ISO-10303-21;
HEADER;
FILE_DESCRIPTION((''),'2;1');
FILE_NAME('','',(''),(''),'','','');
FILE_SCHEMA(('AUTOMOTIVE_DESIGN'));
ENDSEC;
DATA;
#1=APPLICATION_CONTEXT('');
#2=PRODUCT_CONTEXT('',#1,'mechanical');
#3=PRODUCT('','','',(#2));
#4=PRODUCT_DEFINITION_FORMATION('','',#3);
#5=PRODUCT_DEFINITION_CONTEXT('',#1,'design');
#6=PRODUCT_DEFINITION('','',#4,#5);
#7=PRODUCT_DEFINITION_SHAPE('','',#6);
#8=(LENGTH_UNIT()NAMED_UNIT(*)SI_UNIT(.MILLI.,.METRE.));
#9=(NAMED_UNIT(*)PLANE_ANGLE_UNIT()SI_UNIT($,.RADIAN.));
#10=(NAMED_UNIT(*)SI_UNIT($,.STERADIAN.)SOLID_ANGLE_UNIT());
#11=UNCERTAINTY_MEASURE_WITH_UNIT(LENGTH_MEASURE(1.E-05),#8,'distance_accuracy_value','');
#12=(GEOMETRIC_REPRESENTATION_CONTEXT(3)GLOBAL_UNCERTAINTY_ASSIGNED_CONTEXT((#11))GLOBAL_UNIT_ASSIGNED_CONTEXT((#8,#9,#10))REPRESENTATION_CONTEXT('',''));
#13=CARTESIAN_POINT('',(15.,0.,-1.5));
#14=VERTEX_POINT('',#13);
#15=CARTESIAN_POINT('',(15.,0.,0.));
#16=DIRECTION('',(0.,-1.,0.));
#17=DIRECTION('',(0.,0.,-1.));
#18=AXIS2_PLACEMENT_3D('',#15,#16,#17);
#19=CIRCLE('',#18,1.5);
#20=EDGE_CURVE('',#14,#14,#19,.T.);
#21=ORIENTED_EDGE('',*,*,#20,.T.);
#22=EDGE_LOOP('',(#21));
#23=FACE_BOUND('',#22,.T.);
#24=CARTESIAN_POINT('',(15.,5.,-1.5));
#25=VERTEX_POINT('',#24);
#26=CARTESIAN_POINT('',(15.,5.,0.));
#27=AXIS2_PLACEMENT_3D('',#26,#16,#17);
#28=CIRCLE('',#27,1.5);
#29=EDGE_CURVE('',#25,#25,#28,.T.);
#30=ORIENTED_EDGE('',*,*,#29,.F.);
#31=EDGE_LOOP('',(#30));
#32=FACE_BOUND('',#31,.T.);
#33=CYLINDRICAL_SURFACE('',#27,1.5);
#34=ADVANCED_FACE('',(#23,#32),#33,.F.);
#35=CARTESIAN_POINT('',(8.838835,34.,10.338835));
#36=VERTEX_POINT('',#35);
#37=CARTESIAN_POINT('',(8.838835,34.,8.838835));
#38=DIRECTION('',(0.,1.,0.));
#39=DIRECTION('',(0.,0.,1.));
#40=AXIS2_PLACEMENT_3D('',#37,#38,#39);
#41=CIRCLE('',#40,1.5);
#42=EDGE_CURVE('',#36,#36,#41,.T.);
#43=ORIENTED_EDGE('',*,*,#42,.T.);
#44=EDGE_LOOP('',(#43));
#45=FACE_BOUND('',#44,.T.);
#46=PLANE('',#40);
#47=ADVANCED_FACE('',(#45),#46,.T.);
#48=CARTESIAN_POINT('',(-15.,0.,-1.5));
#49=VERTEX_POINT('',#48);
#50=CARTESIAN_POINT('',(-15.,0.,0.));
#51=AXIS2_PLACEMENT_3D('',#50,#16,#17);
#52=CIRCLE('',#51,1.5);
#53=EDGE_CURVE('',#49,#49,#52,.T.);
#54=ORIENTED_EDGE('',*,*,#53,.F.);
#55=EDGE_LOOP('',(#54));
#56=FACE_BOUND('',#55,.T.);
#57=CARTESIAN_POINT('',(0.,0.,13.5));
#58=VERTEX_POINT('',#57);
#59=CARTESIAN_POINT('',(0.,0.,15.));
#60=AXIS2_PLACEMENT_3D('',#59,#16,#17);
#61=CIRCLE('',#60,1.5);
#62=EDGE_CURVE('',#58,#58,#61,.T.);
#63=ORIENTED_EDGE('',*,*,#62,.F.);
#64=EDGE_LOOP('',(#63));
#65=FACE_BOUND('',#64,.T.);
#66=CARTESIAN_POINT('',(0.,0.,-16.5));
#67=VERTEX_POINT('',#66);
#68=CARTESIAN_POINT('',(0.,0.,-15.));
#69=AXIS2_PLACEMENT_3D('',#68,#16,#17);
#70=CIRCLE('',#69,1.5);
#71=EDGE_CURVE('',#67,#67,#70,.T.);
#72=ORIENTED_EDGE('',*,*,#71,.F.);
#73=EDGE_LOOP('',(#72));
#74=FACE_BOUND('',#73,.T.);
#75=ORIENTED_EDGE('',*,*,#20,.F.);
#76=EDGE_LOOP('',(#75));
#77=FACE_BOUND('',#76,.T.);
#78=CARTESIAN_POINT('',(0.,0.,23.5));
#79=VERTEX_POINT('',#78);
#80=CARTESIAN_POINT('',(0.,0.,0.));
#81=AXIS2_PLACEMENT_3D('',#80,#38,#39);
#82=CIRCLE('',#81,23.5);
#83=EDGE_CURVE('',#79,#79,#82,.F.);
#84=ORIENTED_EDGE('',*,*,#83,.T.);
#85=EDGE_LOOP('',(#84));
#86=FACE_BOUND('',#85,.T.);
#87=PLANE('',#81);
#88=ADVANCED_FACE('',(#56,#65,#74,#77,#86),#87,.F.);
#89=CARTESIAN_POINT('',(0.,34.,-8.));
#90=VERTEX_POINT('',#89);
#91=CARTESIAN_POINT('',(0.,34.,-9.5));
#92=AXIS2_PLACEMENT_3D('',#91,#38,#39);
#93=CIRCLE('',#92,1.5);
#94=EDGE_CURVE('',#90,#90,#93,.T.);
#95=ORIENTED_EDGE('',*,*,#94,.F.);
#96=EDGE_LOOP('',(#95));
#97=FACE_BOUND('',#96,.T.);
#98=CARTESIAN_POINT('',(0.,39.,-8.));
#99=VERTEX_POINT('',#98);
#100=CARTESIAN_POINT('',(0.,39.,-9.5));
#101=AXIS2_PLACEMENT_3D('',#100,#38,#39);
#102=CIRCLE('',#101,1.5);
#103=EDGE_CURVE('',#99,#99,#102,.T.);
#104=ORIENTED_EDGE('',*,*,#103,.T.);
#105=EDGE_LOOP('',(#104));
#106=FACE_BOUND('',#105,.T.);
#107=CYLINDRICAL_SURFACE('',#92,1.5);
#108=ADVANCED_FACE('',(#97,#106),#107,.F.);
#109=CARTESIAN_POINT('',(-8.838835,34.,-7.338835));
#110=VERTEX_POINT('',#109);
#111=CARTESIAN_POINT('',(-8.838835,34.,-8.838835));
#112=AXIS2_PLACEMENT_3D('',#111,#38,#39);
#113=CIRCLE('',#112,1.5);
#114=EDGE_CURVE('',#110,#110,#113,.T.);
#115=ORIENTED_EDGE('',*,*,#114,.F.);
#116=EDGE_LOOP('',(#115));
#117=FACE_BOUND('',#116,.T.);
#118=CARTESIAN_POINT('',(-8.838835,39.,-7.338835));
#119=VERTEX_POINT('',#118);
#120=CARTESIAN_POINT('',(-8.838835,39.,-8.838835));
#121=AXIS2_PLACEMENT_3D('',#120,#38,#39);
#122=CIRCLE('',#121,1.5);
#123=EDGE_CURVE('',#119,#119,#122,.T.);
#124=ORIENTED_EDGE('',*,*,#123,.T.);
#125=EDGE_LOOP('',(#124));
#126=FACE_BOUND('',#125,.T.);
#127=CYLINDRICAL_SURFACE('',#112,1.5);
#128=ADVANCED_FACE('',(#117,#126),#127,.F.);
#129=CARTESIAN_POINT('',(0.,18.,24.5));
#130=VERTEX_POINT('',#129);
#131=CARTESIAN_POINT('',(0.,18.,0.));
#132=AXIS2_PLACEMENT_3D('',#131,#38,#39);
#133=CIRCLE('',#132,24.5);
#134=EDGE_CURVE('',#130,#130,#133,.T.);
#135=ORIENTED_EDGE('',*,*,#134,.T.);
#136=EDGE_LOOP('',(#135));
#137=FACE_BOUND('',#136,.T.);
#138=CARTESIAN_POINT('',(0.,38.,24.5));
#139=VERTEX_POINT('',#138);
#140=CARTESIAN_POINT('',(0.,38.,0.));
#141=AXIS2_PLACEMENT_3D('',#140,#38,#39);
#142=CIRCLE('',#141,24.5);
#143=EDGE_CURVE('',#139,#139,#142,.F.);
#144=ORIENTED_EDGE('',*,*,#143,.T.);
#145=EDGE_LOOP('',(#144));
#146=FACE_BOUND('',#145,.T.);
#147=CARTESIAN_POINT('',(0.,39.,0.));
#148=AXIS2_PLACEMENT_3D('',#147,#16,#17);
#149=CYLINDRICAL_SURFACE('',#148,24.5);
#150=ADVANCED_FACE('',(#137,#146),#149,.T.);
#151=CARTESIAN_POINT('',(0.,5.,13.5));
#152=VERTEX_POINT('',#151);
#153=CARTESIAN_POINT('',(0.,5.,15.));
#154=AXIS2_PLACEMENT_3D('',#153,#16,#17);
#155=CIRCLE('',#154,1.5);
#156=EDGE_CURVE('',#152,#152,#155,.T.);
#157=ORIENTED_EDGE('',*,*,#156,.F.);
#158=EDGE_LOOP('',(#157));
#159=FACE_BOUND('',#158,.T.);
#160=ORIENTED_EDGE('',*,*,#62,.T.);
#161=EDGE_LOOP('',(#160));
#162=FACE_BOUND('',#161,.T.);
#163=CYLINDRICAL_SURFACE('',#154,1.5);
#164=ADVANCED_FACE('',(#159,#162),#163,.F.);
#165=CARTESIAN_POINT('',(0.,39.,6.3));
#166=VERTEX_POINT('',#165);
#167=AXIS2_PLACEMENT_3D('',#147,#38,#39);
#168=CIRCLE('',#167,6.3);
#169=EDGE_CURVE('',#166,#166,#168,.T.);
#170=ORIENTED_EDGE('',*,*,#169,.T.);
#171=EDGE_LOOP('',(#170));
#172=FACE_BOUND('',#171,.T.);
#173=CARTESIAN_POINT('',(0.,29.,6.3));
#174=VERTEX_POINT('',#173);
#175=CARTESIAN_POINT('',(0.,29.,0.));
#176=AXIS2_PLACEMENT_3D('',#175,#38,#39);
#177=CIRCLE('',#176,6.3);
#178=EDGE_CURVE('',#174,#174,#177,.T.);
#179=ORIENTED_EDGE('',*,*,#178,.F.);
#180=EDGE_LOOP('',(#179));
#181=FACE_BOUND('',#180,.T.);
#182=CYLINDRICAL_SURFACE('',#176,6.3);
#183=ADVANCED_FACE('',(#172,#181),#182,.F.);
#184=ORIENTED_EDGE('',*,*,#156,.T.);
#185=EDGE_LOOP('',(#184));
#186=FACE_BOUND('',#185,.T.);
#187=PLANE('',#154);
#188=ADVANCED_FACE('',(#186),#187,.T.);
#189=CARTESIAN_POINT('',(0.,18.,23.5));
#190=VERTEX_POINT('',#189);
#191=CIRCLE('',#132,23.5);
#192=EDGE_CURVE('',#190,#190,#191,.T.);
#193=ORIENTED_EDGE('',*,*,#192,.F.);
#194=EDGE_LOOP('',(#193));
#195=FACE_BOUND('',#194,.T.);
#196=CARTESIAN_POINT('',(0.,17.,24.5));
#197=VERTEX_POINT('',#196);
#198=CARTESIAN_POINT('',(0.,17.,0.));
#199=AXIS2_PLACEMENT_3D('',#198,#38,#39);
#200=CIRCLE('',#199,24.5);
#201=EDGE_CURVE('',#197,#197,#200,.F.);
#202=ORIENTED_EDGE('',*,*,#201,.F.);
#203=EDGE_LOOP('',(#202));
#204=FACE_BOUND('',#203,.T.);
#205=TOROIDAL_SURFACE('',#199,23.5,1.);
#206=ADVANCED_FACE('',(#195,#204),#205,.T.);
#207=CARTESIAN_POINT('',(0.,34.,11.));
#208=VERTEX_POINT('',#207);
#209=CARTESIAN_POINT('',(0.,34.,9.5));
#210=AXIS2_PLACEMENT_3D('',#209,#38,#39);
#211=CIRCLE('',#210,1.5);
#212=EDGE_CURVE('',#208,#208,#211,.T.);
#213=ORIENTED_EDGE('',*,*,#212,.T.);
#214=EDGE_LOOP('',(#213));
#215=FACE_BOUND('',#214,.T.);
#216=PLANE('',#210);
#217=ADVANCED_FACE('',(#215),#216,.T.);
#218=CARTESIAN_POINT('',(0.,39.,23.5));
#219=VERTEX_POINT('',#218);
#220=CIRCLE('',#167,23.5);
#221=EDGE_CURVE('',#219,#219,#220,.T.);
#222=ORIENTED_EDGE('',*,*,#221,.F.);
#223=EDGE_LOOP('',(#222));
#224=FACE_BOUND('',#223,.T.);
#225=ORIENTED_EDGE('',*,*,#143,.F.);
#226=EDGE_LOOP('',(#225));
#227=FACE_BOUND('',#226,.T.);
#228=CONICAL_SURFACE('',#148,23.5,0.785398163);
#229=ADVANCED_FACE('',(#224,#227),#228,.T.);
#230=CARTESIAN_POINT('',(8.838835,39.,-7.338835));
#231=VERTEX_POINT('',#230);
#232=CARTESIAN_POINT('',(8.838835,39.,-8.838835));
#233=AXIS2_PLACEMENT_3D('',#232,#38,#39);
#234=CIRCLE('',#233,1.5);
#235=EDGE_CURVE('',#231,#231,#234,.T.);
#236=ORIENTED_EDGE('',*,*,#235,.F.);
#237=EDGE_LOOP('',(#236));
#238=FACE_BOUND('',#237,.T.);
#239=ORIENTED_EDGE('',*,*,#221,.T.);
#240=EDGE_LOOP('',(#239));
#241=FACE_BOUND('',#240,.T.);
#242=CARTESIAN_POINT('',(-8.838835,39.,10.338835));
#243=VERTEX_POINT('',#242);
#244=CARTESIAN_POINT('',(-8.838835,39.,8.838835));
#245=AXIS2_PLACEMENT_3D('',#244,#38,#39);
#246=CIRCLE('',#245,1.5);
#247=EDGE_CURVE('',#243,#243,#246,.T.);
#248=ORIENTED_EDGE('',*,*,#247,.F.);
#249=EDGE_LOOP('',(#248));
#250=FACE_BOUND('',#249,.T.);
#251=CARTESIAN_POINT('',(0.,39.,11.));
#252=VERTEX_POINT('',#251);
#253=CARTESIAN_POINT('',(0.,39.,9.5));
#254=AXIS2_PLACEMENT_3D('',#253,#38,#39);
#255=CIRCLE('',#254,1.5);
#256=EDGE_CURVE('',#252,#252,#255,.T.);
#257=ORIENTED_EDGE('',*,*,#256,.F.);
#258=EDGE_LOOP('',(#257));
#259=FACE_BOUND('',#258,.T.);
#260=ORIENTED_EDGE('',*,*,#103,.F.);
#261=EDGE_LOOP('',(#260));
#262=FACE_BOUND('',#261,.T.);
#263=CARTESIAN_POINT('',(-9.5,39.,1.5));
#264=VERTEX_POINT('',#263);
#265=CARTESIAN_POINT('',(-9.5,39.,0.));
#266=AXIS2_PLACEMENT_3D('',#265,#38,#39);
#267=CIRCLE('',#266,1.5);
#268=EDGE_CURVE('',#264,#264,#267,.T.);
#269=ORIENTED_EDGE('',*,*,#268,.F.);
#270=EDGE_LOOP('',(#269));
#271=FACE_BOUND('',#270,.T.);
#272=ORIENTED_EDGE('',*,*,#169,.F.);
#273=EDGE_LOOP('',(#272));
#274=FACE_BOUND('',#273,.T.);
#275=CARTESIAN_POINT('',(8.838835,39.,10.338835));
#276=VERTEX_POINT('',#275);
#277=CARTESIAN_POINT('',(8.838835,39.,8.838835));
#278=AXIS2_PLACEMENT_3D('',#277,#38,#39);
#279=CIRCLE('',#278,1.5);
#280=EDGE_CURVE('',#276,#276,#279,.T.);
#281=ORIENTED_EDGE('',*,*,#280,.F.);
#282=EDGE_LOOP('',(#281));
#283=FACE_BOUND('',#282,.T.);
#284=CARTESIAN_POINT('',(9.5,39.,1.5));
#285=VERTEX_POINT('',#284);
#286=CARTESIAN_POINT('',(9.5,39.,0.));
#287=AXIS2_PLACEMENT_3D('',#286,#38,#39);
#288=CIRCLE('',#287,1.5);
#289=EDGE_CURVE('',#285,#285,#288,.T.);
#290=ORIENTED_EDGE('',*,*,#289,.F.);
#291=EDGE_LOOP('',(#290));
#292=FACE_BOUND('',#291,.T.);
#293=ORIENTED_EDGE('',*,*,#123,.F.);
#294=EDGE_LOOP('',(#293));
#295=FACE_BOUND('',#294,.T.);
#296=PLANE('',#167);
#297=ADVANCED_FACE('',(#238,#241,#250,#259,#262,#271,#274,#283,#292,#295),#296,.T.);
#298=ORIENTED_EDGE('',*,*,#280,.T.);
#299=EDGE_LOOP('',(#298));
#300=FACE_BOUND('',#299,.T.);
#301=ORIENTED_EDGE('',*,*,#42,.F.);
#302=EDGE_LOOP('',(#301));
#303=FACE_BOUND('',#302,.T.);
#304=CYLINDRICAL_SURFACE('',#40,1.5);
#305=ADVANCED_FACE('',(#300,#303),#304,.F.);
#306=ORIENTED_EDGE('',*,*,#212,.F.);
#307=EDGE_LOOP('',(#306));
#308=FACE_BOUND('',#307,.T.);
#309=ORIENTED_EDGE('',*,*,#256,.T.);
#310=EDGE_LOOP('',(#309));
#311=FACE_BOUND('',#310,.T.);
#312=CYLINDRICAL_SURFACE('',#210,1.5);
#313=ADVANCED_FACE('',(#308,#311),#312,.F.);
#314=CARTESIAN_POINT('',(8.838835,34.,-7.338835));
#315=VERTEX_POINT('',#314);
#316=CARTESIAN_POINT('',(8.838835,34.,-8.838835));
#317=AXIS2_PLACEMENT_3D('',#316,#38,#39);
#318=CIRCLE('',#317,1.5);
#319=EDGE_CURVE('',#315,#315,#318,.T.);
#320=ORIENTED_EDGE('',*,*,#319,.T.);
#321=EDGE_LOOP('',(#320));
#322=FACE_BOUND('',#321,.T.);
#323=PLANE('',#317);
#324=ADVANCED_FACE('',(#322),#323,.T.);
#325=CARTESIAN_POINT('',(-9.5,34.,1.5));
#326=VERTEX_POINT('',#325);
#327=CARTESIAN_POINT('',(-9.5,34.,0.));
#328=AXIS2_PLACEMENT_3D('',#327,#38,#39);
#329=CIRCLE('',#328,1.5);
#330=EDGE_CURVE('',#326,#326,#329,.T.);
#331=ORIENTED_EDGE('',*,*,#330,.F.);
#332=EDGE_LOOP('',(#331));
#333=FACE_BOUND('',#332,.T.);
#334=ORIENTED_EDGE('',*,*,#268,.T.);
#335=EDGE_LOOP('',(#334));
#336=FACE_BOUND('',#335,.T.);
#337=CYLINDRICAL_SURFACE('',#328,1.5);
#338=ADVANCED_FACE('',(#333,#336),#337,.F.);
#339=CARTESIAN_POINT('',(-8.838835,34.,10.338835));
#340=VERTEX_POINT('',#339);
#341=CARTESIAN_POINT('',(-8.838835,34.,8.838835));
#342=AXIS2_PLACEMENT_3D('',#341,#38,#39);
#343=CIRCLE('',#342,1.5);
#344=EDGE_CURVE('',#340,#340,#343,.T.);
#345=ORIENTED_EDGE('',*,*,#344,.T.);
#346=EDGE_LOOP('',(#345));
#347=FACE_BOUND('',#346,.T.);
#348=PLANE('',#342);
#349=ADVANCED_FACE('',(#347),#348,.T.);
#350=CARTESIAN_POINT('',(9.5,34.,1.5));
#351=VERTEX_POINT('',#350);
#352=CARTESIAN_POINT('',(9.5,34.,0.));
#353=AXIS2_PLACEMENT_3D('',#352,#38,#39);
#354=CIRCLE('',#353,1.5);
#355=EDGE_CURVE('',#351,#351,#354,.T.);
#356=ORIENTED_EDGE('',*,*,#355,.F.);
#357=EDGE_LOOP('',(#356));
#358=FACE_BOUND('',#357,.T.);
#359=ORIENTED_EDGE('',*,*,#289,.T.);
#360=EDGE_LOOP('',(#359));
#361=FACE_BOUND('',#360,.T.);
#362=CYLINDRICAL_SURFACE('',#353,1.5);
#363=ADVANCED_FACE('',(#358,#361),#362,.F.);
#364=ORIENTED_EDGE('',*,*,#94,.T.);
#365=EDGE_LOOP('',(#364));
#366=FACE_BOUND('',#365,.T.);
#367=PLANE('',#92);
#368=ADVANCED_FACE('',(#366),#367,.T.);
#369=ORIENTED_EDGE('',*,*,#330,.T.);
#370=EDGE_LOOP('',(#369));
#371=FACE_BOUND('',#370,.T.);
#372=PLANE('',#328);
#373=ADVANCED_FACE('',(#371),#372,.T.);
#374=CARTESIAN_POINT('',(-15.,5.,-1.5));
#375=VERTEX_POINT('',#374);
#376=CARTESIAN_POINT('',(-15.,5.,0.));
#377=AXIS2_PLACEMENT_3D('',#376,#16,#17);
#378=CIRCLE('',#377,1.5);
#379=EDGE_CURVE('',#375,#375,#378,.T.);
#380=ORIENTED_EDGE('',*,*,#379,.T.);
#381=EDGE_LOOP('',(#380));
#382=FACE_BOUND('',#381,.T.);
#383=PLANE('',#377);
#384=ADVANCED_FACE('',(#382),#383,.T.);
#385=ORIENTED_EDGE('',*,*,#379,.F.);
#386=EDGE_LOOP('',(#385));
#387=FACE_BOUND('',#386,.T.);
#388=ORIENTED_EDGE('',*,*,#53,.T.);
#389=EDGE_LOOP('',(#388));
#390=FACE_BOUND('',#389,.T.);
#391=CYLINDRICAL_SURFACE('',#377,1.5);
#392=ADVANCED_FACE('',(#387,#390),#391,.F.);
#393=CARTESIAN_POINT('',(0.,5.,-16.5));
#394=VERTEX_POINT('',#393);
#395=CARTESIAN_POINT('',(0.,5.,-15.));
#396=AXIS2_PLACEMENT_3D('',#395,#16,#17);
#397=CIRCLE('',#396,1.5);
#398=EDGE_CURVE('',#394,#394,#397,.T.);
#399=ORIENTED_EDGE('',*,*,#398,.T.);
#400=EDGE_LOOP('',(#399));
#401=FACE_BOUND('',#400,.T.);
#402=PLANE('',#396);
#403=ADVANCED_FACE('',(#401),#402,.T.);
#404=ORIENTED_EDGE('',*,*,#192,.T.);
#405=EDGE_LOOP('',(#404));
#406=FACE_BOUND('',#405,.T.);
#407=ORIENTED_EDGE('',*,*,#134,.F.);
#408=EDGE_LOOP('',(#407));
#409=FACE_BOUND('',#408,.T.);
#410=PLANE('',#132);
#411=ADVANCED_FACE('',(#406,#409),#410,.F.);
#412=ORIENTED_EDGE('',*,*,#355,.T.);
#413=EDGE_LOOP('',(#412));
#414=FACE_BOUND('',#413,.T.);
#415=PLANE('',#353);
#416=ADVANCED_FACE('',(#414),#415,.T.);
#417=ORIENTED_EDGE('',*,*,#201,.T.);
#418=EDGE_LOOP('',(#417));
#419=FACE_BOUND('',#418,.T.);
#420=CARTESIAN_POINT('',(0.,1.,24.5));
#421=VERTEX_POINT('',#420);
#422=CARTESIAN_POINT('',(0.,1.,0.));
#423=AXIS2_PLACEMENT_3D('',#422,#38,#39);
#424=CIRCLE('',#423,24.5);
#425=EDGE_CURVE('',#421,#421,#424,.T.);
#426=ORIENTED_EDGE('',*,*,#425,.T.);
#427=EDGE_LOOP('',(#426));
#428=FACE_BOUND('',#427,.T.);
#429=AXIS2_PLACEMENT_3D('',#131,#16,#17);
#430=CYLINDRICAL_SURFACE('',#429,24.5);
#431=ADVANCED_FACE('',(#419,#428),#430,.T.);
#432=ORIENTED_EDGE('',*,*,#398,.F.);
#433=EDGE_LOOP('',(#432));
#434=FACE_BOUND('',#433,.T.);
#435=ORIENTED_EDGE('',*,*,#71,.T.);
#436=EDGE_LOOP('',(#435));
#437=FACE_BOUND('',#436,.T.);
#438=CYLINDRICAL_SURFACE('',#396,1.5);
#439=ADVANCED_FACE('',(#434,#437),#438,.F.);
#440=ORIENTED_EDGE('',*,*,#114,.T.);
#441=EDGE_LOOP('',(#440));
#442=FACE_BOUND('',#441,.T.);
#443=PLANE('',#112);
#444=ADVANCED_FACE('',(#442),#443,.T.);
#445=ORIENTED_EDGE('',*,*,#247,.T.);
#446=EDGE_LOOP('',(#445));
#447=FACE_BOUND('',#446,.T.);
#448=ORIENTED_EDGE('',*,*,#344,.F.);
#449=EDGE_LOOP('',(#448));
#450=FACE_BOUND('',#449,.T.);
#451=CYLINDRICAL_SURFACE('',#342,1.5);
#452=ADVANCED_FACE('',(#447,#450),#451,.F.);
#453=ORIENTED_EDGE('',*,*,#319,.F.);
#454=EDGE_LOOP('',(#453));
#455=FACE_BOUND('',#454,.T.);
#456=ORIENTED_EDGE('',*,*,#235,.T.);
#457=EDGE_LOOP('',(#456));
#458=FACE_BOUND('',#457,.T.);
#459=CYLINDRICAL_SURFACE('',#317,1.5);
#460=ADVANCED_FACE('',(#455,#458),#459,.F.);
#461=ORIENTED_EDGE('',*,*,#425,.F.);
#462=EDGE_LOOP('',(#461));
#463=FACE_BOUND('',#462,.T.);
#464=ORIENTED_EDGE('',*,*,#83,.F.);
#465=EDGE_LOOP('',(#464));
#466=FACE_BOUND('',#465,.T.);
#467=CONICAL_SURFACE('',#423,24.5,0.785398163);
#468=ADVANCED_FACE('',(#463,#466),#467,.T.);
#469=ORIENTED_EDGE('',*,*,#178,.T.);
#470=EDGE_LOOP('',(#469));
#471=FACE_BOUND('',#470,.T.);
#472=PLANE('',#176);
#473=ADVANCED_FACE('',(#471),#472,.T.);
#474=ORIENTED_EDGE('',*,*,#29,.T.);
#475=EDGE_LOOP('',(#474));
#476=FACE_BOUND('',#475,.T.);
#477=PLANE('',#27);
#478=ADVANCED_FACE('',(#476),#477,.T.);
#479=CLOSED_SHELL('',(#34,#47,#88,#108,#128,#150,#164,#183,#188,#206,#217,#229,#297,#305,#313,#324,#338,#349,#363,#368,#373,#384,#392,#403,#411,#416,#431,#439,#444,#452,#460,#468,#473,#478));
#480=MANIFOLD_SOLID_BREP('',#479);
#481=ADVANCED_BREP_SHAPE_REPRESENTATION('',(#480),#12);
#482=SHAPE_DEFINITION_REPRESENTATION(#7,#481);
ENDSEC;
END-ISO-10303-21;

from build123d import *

# Parameters (mm, degrees)
SKETCH_1_R          = 24.5
EXTRUDE_1_DEPTH     = 18
FILLET_1_R          = 1
SKETCH_2_R          = 24.5
EXTRUDE_2_DEPTH     = 21
CHAMFER_1_SIZE      = 1
CHAMFER_2_SIZE      = 1
SKETCH_4_R          = 6.3
CUT_EXTRUDE_1_DEPTH = 10
SKETCH_5_R          = 1.5
CUT_EXTRUDE_2_DEPTH = 5
SKETCH_6_R          = 1.5
CUT_EXTRUDE_3_DEPTH = 5


with BuildPart() as part:
    # 草图1 → 凸台-拉伸1 (new body)
    with BuildSketch(Plane(origin=(0, 0, 0), x_dir=(1, 0, 0), z_dir=(0, 1, 0))):
        Circle(SKETCH_1_R)
    extrude(amount=EXTRUDE_1_DEPTH)

    # 圆角1
    fillet_1_edges = [part.edges().sort_by_distance(p)[0] for p in [
        (-24.5, 18, 0),
    ]]
    fillet(fillet_1_edges, radius=FILLET_1_R)

    # 草图2 → 凸台-拉伸2 (add)
    with BuildSketch(Plane(origin=(0, 18, 0), x_dir=(1, 0, 0), z_dir=(0, 1, 0))):
        Circle(SKETCH_2_R)
    extrude(amount=EXTRUDE_2_DEPTH)

    # 倒角1
    chamfer_1_edges = [part.edges().sort_by_distance(p)[0] for p in [
        (-24.5, 39, 0),
    ]]
    chamfer(chamfer_1_edges, length=CHAMFER_1_SIZE)

    # 倒角2
    chamfer_2_edges = [part.edges().sort_by_distance(p)[0] for p in [
        (-24.5, 0, 0),
    ]]
    chamfer(chamfer_2_edges, length=CHAMFER_2_SIZE)

    # 草图4 → 切除-拉伸1 (cut)
    with BuildSketch(Plane(origin=(0, 39, 0), x_dir=(1, 0, 0), z_dir=(0, 1, 0))):
        Circle(SKETCH_4_R)
    extrude(amount=-CUT_EXTRUDE_1_DEPTH, mode=Mode.SUBTRACT)

    # 草图5 → 切除-拉伸2 (cut)
    with BuildSketch(Plane(origin=(0, 39, 0), x_dir=(1, 0, 0), z_dir=(0, 1, 0))):
        with Locations((9.5, 0)):
            Circle(SKETCH_5_R)
        with Locations((0, -9.5)):
            Circle(SKETCH_5_R)
        with Locations((-9.5, 0)):
            Circle(SKETCH_5_R)
        with Locations((0, 9.5)):
            Circle(SKETCH_5_R)
        with Locations((8.838834765, 8.838834765)):
            Circle(SKETCH_5_R)
        with Locations((8.838834765, -8.838834765)):
            Circle(SKETCH_5_R)
        with Locations((-8.838834765, -8.838834765)):
            Circle(SKETCH_5_R)
        with Locations((-8.838834765, 8.838834765)):
            Circle(SKETCH_5_R)
    extrude(amount=-CUT_EXTRUDE_2_DEPTH, mode=Mode.SUBTRACT)

    # 草图6 → 切除-拉伸3 (cut)
    with BuildSketch(Plane.XZ):
        with Locations((15, 0)):
            Circle(SKETCH_6_R)
        with Locations((0, -15)):
            Circle(SKETCH_6_R)
        with Locations((-15, 0)):
            Circle(SKETCH_6_R)
        with Locations((0, 15)):
            Circle(SKETCH_6_R)
    extrude(amount=-CUT_EXTRUDE_3_DEPTH, mode=Mode.SUBTRACT)


solid = part.part
